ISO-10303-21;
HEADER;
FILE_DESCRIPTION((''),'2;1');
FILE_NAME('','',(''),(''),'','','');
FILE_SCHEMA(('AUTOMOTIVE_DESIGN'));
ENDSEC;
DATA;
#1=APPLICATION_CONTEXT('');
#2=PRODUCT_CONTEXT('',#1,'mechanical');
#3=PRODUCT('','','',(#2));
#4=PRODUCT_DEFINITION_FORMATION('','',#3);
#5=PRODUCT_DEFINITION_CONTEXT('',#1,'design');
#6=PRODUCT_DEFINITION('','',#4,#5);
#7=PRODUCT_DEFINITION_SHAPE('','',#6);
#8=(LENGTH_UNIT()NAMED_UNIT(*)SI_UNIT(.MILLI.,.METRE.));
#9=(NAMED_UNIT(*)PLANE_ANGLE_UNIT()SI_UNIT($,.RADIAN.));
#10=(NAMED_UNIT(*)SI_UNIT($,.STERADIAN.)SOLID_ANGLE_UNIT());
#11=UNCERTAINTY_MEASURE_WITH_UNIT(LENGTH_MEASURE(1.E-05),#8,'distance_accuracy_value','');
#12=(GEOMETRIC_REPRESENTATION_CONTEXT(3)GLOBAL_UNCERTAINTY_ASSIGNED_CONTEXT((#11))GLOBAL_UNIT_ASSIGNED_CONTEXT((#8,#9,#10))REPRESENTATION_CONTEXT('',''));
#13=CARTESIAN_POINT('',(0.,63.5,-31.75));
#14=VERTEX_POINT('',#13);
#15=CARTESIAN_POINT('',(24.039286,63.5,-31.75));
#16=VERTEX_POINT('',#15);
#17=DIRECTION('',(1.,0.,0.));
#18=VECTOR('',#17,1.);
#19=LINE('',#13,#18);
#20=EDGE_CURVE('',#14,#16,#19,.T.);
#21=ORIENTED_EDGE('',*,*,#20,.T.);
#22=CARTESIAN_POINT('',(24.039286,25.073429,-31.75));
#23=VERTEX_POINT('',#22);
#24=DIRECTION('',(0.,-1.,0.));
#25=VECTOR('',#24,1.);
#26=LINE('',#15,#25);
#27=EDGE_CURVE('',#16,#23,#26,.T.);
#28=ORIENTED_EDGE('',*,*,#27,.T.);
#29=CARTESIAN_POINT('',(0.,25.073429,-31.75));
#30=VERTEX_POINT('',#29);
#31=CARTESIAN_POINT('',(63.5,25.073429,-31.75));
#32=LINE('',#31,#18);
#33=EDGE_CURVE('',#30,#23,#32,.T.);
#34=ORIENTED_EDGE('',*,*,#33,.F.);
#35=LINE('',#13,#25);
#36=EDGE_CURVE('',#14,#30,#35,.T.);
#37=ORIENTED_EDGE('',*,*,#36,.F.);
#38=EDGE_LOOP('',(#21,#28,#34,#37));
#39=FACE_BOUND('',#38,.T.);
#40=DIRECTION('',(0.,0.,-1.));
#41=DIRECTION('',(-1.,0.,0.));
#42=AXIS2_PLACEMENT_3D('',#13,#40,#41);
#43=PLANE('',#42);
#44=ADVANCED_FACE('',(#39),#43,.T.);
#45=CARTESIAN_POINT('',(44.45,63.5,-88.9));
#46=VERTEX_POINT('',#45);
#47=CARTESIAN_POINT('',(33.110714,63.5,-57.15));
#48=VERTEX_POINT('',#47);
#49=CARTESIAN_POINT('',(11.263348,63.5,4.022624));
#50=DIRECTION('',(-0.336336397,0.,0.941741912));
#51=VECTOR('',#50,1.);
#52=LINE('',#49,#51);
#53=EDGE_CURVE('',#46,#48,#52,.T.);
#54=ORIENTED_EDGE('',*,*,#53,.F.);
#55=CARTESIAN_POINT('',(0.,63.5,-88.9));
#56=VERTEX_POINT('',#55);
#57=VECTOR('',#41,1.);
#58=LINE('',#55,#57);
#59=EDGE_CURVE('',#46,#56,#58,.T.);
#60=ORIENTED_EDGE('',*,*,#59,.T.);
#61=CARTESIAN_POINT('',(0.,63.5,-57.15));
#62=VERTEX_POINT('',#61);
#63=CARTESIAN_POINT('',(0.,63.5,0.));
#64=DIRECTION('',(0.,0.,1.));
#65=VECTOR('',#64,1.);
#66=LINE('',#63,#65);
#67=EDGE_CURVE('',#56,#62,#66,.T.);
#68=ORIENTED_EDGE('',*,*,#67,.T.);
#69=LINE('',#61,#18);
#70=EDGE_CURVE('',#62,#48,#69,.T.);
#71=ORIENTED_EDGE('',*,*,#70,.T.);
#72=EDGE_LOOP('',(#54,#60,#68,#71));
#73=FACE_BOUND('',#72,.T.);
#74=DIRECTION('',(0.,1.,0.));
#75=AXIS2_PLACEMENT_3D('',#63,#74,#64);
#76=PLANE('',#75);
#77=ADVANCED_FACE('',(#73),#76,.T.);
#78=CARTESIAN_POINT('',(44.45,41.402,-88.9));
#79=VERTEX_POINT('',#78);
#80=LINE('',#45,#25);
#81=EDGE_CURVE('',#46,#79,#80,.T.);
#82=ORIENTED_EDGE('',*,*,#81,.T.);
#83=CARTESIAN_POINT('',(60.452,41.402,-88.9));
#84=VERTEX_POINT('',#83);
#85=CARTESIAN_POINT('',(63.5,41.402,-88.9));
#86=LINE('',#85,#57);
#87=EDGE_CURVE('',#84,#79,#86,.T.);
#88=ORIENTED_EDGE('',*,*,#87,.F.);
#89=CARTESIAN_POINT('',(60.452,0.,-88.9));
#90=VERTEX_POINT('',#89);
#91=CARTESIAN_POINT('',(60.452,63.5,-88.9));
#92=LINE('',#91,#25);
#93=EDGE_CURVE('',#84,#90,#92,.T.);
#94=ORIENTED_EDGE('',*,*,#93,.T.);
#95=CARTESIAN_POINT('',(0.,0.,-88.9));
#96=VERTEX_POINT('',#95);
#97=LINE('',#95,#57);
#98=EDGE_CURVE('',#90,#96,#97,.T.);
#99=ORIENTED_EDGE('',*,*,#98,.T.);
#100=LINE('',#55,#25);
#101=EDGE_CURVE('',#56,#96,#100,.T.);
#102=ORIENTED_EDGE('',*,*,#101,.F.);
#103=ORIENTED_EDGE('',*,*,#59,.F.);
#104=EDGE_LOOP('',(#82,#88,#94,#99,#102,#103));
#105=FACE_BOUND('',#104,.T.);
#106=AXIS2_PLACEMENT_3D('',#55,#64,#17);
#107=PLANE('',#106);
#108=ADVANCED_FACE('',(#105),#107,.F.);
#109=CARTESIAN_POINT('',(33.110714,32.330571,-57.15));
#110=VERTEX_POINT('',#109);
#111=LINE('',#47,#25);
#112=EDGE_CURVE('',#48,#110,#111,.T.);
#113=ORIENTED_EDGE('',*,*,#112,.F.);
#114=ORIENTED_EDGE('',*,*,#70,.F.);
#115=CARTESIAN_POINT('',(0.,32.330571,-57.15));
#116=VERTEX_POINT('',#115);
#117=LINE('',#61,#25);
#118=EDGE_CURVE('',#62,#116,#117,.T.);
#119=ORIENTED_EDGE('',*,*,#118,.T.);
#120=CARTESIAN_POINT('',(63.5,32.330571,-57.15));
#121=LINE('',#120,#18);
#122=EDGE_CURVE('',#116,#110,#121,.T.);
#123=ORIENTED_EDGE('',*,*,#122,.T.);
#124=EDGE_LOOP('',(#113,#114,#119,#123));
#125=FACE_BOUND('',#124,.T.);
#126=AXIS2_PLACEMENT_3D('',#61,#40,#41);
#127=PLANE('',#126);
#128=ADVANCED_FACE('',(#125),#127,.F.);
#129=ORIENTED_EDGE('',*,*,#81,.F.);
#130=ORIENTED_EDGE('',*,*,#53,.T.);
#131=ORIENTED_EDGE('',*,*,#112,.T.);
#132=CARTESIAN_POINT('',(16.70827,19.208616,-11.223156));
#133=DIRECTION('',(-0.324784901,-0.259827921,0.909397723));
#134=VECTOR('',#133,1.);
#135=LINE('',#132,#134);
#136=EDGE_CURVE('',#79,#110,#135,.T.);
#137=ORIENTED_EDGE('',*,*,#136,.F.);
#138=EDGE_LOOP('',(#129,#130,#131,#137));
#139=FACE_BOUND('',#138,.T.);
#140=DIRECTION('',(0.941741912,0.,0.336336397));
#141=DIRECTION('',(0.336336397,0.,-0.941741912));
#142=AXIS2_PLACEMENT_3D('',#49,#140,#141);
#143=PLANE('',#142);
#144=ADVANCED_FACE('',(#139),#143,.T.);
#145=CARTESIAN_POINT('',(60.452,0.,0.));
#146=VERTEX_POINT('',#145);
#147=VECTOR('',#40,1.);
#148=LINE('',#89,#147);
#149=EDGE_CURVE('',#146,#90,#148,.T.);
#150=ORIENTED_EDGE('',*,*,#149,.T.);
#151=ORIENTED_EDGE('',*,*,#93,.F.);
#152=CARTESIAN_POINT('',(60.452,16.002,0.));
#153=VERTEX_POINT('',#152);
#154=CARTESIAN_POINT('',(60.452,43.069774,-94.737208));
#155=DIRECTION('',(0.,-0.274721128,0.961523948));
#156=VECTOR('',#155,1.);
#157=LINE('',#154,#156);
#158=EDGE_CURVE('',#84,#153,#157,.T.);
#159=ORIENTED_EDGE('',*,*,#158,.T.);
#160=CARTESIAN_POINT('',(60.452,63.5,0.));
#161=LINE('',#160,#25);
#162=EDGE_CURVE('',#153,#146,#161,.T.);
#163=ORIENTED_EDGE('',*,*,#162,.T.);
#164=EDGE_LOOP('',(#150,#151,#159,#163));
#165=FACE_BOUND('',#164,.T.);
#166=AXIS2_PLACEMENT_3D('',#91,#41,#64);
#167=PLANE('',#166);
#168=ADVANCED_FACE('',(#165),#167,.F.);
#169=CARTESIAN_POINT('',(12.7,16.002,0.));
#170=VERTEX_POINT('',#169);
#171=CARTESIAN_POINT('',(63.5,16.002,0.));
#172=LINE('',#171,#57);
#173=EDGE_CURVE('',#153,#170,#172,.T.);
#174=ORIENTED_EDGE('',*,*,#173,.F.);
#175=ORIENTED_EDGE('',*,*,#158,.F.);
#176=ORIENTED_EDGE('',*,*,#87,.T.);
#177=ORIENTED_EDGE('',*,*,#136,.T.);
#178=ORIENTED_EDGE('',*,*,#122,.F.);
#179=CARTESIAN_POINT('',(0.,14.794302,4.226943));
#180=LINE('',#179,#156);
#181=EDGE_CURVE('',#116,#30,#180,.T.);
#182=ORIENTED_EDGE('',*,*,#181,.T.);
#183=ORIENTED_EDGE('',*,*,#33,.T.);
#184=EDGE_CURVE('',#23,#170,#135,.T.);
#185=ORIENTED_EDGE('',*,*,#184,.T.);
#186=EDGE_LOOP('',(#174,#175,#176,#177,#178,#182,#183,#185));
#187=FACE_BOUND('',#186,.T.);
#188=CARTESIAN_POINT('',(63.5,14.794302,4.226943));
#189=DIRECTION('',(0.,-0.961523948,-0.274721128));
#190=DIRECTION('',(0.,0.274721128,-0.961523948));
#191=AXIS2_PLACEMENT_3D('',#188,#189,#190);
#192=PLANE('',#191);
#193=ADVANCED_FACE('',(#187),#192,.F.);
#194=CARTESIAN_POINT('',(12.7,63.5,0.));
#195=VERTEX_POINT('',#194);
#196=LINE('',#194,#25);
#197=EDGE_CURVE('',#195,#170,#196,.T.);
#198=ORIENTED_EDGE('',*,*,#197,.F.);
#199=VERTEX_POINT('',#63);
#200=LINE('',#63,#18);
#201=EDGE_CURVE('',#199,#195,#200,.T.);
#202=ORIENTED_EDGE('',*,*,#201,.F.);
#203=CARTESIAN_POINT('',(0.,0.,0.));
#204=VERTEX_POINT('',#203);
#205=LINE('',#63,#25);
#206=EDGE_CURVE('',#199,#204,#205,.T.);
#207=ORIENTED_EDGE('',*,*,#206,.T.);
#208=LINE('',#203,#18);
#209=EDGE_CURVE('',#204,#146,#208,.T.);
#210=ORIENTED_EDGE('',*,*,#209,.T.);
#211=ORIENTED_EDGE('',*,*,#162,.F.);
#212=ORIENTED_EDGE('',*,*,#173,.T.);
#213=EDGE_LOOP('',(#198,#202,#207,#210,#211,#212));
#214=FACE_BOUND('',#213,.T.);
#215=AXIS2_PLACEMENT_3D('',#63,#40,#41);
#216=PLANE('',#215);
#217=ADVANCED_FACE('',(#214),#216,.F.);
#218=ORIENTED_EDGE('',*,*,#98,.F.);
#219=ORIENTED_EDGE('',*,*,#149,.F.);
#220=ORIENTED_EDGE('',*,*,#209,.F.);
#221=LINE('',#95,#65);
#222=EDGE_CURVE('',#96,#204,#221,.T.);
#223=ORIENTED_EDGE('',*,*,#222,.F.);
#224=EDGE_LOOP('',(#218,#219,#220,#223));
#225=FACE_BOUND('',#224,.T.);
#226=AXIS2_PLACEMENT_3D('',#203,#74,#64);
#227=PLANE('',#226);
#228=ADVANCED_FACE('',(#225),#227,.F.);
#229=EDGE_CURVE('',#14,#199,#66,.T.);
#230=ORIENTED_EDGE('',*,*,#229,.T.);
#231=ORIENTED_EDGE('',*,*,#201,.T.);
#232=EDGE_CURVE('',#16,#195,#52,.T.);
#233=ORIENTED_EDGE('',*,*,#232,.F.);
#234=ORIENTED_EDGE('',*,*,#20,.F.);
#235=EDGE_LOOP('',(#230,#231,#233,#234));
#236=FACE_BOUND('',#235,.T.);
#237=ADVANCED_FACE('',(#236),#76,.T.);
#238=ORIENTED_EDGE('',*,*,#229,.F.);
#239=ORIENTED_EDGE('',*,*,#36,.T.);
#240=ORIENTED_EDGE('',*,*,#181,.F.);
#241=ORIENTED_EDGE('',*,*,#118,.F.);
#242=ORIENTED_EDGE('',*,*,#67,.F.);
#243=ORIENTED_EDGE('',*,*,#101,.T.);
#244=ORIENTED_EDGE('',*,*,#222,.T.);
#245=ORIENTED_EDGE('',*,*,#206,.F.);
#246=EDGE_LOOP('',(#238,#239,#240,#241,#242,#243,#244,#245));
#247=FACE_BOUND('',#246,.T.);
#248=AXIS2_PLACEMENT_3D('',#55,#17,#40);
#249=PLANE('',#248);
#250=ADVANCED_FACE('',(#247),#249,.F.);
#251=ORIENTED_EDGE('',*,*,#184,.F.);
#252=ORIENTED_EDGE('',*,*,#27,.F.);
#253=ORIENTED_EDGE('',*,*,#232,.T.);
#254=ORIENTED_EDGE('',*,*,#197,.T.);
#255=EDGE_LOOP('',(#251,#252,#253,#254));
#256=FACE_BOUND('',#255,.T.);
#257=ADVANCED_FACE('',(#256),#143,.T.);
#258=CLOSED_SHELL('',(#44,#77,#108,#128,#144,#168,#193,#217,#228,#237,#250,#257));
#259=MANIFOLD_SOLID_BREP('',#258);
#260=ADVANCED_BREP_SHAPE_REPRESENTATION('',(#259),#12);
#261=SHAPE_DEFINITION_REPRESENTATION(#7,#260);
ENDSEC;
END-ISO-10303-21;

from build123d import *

# Parameters (mm, degrees)
SKETCH3_W           = 60.452
SKETCH3_H           = 88.9
BOSS_EXTRUDE1_DEPTH = 63.5
CUT_EXTRUDE1_DEPTH  = 63.5
BOSS_EXTRUDE2_DEPTH = 63.5


with BuildPart() as part:
    # Sketch3 → Boss-Extrude1 (new body)
    with BuildSketch(Plane(origin=(0, 0, 0), x_dir=(1, 0, 0), z_dir=(0, 1, 0))):
        with Locations((30.226, 44.45)):
            Rectangle(SKETCH3_W, SKETCH3_H)
    extrude(amount=BOSS_EXTRUDE1_DEPTH)

    # Sketch4 → Cut-Extrude1 (cut)
    with BuildSketch(Plane(origin=(0, 0, 0), x_dir=(0, 0, -1), z_dir=(1, 0, 0))):
        Polygon((0, 16.002), (88.9, 41.402), (88.9, 63.5), (0, 63.5), align=None)
    extrude(amount=CUT_EXTRUDE1_DEPTH, mode=Mode.SUBTRACT)

    # Sketch5 → Boss-Extrude2 (add)
    with BuildSketch(Plane(origin=(0, 0, 0), x_dir=(1, 0, 0), z_dir=(0, 1, 0))):
        Polygon((33.110714286, 57.15), (44.45, 88.9), (18.107802509, 88.9), (0, 88.9), (0, 57.15), align=None)
        Polygon((12.7, 0), (24.039285714, 31.75), (0, 31.75), (0, 0), align=None)
    extrude(amount=BOSS_EXTRUDE2_DEPTH)


solid = part.part
